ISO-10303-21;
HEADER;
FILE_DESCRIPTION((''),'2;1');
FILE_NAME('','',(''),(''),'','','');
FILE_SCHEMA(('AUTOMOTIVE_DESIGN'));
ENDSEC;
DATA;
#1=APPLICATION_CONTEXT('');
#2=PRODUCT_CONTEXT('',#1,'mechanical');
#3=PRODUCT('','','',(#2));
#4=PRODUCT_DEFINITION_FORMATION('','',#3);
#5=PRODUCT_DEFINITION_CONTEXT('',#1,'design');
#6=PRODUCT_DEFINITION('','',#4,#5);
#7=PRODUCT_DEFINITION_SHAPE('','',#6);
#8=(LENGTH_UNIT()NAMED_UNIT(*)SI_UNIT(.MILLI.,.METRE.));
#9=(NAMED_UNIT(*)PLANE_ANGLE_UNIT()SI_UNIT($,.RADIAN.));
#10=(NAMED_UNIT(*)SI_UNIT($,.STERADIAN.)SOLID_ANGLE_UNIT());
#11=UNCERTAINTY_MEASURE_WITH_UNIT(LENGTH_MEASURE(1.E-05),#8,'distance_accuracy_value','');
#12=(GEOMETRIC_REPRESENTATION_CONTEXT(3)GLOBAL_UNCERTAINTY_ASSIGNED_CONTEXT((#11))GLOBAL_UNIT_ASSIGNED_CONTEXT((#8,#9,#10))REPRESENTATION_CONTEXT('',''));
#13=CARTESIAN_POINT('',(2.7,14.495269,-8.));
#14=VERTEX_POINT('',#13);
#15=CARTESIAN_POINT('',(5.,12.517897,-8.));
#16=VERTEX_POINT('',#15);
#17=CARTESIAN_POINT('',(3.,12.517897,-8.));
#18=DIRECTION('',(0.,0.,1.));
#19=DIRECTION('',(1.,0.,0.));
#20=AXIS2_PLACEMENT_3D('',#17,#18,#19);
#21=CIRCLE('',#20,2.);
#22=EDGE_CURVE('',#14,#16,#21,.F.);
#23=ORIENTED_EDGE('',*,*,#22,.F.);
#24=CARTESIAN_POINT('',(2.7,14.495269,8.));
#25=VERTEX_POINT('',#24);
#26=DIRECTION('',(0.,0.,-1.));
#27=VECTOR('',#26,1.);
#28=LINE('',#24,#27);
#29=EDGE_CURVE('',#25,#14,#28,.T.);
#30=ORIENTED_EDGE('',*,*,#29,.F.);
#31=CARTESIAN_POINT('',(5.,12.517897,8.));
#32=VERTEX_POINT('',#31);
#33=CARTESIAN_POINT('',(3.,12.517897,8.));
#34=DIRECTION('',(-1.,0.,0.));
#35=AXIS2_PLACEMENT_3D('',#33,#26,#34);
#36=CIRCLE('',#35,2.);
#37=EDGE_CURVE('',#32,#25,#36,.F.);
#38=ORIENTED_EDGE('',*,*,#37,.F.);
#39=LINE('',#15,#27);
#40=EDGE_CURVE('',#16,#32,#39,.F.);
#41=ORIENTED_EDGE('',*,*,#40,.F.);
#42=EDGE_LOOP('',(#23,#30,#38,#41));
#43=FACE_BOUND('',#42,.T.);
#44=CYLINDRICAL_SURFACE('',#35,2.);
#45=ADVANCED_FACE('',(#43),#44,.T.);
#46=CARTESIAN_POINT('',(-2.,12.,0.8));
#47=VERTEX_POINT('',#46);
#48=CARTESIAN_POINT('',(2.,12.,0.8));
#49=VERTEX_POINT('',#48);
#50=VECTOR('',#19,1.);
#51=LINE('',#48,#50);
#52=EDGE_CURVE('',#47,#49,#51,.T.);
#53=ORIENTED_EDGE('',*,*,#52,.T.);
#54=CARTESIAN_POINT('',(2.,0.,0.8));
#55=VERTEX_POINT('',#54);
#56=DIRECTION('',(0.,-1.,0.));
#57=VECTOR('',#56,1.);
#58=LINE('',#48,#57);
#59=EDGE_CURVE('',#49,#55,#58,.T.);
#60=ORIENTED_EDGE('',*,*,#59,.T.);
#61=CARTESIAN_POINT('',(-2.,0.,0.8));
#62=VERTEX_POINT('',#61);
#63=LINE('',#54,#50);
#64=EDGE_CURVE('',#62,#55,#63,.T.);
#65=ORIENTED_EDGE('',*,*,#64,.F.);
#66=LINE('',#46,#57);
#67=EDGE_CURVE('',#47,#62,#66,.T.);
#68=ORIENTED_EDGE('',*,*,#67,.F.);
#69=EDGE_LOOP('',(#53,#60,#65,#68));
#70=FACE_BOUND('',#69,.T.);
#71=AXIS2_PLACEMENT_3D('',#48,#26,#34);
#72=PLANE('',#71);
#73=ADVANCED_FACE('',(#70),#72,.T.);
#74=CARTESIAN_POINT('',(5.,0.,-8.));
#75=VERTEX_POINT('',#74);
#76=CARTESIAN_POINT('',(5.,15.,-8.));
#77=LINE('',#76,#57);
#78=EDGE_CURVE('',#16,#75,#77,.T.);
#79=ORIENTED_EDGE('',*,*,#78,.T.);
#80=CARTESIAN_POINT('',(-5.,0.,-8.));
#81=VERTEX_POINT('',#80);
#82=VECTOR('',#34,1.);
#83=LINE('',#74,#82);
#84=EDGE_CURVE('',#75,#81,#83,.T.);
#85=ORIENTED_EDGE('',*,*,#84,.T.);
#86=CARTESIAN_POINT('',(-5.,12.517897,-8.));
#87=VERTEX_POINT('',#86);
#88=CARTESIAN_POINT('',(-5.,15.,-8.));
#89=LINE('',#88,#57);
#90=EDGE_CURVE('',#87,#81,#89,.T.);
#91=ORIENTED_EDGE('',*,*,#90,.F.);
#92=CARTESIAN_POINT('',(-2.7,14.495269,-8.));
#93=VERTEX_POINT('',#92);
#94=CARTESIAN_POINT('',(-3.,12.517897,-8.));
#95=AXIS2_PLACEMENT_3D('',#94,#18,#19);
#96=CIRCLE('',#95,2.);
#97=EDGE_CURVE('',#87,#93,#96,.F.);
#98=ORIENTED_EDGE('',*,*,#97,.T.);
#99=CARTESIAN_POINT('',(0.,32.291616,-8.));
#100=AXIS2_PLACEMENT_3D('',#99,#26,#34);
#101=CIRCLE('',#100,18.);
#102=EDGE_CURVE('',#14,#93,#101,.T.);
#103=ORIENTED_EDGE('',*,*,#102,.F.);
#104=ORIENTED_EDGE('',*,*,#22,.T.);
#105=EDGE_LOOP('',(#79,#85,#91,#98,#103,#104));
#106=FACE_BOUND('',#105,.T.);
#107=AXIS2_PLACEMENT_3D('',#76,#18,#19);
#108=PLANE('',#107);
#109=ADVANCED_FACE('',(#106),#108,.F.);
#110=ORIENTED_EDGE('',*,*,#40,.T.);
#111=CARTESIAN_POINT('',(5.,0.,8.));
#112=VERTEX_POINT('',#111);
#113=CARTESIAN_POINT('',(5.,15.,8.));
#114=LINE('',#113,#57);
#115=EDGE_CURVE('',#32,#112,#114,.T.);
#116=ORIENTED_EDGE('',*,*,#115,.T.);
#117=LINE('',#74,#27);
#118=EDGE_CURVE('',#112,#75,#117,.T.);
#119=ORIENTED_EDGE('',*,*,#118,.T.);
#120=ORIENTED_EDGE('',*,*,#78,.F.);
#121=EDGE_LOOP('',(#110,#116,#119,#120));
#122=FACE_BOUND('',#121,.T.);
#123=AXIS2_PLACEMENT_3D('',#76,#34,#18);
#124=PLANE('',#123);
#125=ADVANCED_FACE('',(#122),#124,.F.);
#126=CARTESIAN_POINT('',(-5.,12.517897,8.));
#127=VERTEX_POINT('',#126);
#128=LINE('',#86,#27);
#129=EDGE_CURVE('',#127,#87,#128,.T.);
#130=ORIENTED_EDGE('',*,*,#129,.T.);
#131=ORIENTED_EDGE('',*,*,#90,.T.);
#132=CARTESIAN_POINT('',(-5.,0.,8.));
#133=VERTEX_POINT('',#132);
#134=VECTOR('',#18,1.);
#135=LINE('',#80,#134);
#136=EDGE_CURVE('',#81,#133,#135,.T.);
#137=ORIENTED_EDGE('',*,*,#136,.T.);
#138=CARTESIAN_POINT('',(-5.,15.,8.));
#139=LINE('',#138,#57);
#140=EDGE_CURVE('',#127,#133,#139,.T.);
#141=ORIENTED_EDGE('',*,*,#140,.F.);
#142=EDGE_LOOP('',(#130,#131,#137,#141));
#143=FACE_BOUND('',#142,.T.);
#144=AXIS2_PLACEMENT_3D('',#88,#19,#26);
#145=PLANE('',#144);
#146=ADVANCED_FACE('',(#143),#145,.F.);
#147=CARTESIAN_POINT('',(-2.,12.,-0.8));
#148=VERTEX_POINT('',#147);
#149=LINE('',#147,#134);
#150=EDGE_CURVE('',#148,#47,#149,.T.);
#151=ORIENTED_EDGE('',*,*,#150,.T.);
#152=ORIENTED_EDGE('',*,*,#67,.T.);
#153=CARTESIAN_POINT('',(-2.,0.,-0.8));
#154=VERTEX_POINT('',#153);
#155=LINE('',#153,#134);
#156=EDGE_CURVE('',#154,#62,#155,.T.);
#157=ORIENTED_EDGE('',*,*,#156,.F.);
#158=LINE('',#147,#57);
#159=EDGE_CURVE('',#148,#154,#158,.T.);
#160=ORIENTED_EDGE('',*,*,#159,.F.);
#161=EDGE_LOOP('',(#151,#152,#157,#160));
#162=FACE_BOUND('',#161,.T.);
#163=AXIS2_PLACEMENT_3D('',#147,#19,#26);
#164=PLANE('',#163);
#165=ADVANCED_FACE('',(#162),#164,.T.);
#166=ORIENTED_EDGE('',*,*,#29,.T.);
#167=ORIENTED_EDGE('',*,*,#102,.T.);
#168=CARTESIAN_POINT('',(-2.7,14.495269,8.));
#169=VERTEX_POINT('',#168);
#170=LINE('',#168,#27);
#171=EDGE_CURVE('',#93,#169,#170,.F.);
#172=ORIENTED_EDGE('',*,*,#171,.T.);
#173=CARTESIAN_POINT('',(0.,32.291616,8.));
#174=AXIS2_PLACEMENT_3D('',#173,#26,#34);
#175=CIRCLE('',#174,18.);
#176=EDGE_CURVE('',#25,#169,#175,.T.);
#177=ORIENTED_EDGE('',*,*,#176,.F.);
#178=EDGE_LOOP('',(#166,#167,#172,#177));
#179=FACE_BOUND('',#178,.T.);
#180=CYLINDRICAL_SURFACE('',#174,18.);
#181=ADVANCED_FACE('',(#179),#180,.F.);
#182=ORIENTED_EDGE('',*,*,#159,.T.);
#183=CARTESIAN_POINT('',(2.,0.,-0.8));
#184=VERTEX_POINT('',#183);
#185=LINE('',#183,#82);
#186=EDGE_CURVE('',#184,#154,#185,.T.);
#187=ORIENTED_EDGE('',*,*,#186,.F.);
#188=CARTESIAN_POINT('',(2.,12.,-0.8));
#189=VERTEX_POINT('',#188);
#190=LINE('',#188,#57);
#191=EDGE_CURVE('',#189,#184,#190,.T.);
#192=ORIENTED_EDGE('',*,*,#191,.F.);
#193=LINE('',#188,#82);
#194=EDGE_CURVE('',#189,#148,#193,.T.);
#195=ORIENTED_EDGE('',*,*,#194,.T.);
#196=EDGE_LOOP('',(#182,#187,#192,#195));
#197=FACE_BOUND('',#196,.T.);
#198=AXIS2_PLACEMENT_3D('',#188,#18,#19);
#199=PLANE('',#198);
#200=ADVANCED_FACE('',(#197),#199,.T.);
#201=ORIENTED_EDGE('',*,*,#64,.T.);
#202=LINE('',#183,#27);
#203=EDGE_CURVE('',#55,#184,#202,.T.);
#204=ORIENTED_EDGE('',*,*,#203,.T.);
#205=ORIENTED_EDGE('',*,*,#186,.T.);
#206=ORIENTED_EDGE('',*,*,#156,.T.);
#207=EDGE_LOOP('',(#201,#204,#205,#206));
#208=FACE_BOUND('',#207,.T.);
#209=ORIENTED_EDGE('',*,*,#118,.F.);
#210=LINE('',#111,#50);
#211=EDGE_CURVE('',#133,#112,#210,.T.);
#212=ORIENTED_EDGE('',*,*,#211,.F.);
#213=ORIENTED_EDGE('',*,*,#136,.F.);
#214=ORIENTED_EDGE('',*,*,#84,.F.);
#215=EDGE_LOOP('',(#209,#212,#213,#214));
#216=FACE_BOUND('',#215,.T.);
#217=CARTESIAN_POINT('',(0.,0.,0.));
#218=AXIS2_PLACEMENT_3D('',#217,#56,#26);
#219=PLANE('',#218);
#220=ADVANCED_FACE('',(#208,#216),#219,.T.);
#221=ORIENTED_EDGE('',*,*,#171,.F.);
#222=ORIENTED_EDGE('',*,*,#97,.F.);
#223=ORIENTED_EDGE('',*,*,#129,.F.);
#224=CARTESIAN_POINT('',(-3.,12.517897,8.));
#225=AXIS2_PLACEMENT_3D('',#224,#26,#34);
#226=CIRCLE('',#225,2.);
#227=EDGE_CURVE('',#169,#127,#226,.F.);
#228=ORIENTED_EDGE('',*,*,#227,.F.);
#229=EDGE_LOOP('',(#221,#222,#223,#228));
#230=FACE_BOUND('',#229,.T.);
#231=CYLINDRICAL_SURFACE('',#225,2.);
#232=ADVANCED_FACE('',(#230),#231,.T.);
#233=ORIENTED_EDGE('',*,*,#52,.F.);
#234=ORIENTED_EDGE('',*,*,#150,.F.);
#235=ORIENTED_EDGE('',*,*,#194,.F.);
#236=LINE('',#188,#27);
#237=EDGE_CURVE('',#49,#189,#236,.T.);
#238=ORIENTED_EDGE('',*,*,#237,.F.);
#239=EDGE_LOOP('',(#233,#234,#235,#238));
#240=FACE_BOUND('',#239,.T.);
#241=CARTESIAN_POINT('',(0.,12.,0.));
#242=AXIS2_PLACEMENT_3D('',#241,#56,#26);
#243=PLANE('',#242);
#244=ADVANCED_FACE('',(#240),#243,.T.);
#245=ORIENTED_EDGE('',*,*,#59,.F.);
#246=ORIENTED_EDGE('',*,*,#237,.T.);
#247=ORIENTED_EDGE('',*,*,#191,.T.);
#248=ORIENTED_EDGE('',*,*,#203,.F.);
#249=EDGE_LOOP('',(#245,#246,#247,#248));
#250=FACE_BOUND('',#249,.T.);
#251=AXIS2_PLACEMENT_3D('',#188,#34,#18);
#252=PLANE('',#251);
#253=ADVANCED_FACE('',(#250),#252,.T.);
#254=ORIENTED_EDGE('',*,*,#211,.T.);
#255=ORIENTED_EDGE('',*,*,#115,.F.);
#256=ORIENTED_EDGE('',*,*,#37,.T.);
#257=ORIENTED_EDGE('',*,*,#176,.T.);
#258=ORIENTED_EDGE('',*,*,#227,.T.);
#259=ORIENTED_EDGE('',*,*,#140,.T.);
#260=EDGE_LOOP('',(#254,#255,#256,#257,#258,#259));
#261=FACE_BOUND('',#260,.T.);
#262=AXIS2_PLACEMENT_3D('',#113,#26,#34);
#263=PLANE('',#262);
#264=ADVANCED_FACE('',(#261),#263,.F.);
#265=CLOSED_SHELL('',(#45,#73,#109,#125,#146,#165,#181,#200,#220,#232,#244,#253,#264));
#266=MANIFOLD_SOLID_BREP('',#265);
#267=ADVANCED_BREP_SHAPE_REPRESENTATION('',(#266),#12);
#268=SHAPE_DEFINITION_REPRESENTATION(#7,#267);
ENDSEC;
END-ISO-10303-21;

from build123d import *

# Parameters (mm, degrees)
SKETCH2_W           = 10
SKETCH2_H           = 16
BOSS_EXTRUDE1_DEPTH = 15
CUT_EXTRUDE1_DEPTH  = 23.494443758
FILLET1_R           = 2
SKETCH1_W           = 4
SKETCH1_H           = 1.6
CUT_EXTRUDE3_DEPTH  = 12


with BuildPart() as part:
    # Sketch2 → Boss-Extrude1 (new body)
    with BuildSketch(Plane(origin=(0, 0, 0), x_dir=(1, 0, 0), z_dir=(0, 1, 0))):
        Rectangle(SKETCH2_W, SKETCH2_H)
    extrude(amount=BOSS_EXTRUDE1_DEPTH)

    # Sketch4 → Cut-Extrude1 (cut, through all)
    with BuildSketch(Plane(origin=(0, 0, -8), x_dir=(-1, 0, 0), z_dir=(0, 0, -1))):
        with BuildLine():
            Line((5, 15), (-5, 15))
            ThreePointArc((-5, 15), (0, 14.291616466), (5, 15))
        make_face()
    extrude(amount=-CUT_EXTRUDE1_DEPTH, mode=Mode.SUBTRACT)

    # Fillet1
    fillet1_edges = [part.edges().sort_by_distance(p)[0] for p in [
        (5, 15, 0),
        (-5, 15, 0),
    ]]
    fillet(fillet1_edges, radius=FILLET1_R)

    # Sketch1 → Cut-Extrude3 (cut)
    with BuildSketch(Plane(origin=(0, 0, 0), x_dir=(1, 0, 0), z_dir=(0, 1, 0))):
        Rectangle(SKETCH1_W, SKETCH1_H)
    extrude(amount=CUT_EXTRUDE3_DEPTH, mode=Mode.SUBTRACT)


solid = part.part
